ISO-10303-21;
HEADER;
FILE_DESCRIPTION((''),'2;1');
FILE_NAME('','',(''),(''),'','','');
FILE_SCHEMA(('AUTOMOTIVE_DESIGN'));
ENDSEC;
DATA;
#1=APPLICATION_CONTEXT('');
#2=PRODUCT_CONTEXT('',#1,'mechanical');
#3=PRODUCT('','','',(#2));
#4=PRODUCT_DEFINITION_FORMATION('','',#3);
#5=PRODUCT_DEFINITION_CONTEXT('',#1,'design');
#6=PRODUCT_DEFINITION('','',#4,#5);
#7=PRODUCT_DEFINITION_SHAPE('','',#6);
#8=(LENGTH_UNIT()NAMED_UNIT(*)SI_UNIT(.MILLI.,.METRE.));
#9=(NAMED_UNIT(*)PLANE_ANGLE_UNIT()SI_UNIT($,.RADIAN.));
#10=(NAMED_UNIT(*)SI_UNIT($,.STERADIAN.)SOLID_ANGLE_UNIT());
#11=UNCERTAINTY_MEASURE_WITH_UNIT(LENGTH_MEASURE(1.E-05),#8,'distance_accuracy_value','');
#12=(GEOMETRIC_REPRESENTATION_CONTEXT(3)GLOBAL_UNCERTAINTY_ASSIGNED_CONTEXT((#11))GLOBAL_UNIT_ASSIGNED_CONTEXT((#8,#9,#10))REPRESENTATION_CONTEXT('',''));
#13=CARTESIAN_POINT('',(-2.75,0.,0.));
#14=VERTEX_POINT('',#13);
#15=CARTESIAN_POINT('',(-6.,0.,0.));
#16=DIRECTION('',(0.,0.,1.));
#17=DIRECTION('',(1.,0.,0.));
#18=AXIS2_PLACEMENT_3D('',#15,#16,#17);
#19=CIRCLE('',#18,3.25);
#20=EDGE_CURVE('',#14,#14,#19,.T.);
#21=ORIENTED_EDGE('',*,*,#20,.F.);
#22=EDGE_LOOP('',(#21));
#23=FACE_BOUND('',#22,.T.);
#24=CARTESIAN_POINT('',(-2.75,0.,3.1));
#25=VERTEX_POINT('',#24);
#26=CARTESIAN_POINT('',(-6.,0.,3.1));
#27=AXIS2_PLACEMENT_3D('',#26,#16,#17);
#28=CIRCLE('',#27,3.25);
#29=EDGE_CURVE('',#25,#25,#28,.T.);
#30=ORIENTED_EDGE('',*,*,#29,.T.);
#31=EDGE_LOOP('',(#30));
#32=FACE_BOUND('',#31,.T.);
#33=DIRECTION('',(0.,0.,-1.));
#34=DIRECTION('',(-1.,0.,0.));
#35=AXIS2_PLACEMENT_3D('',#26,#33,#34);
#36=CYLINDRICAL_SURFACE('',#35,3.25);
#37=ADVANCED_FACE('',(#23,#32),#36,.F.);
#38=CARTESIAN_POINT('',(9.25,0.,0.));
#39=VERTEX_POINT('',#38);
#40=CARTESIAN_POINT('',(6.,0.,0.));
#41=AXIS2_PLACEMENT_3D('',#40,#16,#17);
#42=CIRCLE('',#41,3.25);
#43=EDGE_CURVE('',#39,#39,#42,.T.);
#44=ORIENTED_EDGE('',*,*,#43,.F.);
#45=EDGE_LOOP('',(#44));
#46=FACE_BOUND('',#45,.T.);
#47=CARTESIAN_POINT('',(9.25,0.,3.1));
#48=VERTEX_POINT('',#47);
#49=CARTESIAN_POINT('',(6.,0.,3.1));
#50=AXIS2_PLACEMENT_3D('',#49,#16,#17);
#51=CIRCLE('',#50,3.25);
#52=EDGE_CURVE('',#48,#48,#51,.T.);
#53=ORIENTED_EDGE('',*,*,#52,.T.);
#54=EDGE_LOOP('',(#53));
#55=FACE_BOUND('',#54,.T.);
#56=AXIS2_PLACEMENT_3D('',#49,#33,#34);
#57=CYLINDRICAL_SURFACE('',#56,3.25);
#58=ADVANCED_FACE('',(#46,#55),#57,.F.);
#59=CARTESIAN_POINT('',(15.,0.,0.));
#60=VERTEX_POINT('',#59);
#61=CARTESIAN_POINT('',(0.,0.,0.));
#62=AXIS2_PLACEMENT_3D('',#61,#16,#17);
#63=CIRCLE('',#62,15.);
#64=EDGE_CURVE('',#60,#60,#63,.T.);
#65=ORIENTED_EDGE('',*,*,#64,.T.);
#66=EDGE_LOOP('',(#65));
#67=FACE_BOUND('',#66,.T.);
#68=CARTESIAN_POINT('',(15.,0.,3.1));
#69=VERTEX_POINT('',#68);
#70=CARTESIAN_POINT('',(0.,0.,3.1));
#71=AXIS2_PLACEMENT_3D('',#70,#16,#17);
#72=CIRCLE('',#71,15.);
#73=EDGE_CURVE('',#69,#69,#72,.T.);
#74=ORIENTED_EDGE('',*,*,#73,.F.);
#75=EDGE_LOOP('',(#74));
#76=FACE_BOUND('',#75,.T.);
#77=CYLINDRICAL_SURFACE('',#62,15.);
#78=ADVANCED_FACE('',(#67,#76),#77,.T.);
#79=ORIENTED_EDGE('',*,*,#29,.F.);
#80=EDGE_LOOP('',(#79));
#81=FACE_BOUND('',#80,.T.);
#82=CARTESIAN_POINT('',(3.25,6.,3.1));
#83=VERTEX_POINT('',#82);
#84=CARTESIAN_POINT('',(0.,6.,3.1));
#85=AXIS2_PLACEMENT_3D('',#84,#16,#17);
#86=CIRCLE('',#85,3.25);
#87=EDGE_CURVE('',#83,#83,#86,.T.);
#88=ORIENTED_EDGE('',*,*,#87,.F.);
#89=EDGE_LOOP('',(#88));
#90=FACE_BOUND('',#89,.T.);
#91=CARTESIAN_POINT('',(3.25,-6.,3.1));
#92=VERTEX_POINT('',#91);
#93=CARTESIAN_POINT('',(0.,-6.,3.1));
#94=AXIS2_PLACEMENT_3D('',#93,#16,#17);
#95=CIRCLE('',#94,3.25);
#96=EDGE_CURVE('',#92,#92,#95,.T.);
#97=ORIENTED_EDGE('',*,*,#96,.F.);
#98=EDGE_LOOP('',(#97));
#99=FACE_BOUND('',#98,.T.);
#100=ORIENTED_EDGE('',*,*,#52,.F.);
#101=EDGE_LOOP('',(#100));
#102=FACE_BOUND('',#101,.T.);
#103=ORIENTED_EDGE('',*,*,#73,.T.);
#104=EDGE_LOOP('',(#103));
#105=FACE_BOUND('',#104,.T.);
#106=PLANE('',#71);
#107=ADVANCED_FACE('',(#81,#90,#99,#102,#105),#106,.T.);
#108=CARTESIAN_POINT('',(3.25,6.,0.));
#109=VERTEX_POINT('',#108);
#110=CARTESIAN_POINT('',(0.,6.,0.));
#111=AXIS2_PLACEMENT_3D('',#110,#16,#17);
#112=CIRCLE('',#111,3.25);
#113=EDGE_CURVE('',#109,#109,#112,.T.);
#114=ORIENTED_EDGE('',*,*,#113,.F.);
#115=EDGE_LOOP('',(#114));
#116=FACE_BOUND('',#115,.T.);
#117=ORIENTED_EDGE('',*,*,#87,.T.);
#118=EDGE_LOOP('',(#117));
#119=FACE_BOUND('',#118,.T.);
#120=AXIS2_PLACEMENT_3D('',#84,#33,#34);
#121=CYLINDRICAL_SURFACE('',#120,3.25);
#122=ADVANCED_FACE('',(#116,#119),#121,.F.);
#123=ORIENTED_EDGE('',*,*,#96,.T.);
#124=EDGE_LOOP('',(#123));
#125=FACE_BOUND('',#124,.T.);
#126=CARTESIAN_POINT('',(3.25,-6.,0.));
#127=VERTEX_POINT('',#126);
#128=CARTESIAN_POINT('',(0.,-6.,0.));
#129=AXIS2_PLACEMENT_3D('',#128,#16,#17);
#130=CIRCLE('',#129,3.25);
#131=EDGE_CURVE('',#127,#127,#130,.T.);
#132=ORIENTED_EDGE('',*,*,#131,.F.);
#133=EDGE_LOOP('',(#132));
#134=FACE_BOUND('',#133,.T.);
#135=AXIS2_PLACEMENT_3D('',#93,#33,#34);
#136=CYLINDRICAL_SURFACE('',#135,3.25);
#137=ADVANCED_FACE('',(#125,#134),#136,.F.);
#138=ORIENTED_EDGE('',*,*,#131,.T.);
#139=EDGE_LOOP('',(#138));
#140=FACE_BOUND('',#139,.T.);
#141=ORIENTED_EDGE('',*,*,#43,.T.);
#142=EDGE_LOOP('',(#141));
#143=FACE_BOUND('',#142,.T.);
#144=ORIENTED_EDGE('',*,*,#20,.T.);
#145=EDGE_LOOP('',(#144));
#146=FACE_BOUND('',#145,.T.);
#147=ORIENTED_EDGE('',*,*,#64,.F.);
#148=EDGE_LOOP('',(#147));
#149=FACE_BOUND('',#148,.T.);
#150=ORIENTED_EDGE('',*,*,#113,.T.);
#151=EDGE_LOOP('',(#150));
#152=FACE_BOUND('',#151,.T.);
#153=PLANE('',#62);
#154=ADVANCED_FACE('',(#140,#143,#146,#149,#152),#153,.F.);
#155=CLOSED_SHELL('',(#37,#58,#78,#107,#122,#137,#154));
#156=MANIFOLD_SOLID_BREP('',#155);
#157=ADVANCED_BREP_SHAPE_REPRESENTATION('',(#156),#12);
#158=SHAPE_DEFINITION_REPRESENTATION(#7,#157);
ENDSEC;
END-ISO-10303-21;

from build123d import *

# Parameters (mm, degrees)
SKETCH1_R           = 12.7
SKETCH1_R_2         = 3.25
BOSS_EXTRUDE1_DEPTH = 3.1
SKETCH2_R           = 15
SKETCH2_R_2         = 12.7
BOSS_EXTRUDE2_DEPTH = 3.1


with BuildPart() as part:
    # Sketch1 → Boss-Extrude1 (new body)
    with BuildSketch(Plane.XY):
        Circle(SKETCH1_R)
        with Locations((-6, 0)):
            Circle(SKETCH1_R_2, mode=Mode.SUBTRACT)
        with Locations((0, 6)):
            Circle(SKETCH1_R_2, mode=Mode.SUBTRACT)
        with Locations((6, 0)):
            Circle(SKETCH1_R_2, mode=Mode.SUBTRACT)
        with Locations((0, -6)):
            Circle(SKETCH1_R_2, mode=Mode.SUBTRACT)
    extrude(amount=BOSS_EXTRUDE1_DEPTH)

    # Sketch2 → Boss-Extrude2 (add, through all)
    with BuildSketch(Plane.XY.offset(3.1)):
        Circle(SKETCH2_R)
        Circle(SKETCH2_R_2, mode=Mode.SUBTRACT)
    extrude(amount=-BOSS_EXTRUDE2_DEPTH)


solid = part.part
